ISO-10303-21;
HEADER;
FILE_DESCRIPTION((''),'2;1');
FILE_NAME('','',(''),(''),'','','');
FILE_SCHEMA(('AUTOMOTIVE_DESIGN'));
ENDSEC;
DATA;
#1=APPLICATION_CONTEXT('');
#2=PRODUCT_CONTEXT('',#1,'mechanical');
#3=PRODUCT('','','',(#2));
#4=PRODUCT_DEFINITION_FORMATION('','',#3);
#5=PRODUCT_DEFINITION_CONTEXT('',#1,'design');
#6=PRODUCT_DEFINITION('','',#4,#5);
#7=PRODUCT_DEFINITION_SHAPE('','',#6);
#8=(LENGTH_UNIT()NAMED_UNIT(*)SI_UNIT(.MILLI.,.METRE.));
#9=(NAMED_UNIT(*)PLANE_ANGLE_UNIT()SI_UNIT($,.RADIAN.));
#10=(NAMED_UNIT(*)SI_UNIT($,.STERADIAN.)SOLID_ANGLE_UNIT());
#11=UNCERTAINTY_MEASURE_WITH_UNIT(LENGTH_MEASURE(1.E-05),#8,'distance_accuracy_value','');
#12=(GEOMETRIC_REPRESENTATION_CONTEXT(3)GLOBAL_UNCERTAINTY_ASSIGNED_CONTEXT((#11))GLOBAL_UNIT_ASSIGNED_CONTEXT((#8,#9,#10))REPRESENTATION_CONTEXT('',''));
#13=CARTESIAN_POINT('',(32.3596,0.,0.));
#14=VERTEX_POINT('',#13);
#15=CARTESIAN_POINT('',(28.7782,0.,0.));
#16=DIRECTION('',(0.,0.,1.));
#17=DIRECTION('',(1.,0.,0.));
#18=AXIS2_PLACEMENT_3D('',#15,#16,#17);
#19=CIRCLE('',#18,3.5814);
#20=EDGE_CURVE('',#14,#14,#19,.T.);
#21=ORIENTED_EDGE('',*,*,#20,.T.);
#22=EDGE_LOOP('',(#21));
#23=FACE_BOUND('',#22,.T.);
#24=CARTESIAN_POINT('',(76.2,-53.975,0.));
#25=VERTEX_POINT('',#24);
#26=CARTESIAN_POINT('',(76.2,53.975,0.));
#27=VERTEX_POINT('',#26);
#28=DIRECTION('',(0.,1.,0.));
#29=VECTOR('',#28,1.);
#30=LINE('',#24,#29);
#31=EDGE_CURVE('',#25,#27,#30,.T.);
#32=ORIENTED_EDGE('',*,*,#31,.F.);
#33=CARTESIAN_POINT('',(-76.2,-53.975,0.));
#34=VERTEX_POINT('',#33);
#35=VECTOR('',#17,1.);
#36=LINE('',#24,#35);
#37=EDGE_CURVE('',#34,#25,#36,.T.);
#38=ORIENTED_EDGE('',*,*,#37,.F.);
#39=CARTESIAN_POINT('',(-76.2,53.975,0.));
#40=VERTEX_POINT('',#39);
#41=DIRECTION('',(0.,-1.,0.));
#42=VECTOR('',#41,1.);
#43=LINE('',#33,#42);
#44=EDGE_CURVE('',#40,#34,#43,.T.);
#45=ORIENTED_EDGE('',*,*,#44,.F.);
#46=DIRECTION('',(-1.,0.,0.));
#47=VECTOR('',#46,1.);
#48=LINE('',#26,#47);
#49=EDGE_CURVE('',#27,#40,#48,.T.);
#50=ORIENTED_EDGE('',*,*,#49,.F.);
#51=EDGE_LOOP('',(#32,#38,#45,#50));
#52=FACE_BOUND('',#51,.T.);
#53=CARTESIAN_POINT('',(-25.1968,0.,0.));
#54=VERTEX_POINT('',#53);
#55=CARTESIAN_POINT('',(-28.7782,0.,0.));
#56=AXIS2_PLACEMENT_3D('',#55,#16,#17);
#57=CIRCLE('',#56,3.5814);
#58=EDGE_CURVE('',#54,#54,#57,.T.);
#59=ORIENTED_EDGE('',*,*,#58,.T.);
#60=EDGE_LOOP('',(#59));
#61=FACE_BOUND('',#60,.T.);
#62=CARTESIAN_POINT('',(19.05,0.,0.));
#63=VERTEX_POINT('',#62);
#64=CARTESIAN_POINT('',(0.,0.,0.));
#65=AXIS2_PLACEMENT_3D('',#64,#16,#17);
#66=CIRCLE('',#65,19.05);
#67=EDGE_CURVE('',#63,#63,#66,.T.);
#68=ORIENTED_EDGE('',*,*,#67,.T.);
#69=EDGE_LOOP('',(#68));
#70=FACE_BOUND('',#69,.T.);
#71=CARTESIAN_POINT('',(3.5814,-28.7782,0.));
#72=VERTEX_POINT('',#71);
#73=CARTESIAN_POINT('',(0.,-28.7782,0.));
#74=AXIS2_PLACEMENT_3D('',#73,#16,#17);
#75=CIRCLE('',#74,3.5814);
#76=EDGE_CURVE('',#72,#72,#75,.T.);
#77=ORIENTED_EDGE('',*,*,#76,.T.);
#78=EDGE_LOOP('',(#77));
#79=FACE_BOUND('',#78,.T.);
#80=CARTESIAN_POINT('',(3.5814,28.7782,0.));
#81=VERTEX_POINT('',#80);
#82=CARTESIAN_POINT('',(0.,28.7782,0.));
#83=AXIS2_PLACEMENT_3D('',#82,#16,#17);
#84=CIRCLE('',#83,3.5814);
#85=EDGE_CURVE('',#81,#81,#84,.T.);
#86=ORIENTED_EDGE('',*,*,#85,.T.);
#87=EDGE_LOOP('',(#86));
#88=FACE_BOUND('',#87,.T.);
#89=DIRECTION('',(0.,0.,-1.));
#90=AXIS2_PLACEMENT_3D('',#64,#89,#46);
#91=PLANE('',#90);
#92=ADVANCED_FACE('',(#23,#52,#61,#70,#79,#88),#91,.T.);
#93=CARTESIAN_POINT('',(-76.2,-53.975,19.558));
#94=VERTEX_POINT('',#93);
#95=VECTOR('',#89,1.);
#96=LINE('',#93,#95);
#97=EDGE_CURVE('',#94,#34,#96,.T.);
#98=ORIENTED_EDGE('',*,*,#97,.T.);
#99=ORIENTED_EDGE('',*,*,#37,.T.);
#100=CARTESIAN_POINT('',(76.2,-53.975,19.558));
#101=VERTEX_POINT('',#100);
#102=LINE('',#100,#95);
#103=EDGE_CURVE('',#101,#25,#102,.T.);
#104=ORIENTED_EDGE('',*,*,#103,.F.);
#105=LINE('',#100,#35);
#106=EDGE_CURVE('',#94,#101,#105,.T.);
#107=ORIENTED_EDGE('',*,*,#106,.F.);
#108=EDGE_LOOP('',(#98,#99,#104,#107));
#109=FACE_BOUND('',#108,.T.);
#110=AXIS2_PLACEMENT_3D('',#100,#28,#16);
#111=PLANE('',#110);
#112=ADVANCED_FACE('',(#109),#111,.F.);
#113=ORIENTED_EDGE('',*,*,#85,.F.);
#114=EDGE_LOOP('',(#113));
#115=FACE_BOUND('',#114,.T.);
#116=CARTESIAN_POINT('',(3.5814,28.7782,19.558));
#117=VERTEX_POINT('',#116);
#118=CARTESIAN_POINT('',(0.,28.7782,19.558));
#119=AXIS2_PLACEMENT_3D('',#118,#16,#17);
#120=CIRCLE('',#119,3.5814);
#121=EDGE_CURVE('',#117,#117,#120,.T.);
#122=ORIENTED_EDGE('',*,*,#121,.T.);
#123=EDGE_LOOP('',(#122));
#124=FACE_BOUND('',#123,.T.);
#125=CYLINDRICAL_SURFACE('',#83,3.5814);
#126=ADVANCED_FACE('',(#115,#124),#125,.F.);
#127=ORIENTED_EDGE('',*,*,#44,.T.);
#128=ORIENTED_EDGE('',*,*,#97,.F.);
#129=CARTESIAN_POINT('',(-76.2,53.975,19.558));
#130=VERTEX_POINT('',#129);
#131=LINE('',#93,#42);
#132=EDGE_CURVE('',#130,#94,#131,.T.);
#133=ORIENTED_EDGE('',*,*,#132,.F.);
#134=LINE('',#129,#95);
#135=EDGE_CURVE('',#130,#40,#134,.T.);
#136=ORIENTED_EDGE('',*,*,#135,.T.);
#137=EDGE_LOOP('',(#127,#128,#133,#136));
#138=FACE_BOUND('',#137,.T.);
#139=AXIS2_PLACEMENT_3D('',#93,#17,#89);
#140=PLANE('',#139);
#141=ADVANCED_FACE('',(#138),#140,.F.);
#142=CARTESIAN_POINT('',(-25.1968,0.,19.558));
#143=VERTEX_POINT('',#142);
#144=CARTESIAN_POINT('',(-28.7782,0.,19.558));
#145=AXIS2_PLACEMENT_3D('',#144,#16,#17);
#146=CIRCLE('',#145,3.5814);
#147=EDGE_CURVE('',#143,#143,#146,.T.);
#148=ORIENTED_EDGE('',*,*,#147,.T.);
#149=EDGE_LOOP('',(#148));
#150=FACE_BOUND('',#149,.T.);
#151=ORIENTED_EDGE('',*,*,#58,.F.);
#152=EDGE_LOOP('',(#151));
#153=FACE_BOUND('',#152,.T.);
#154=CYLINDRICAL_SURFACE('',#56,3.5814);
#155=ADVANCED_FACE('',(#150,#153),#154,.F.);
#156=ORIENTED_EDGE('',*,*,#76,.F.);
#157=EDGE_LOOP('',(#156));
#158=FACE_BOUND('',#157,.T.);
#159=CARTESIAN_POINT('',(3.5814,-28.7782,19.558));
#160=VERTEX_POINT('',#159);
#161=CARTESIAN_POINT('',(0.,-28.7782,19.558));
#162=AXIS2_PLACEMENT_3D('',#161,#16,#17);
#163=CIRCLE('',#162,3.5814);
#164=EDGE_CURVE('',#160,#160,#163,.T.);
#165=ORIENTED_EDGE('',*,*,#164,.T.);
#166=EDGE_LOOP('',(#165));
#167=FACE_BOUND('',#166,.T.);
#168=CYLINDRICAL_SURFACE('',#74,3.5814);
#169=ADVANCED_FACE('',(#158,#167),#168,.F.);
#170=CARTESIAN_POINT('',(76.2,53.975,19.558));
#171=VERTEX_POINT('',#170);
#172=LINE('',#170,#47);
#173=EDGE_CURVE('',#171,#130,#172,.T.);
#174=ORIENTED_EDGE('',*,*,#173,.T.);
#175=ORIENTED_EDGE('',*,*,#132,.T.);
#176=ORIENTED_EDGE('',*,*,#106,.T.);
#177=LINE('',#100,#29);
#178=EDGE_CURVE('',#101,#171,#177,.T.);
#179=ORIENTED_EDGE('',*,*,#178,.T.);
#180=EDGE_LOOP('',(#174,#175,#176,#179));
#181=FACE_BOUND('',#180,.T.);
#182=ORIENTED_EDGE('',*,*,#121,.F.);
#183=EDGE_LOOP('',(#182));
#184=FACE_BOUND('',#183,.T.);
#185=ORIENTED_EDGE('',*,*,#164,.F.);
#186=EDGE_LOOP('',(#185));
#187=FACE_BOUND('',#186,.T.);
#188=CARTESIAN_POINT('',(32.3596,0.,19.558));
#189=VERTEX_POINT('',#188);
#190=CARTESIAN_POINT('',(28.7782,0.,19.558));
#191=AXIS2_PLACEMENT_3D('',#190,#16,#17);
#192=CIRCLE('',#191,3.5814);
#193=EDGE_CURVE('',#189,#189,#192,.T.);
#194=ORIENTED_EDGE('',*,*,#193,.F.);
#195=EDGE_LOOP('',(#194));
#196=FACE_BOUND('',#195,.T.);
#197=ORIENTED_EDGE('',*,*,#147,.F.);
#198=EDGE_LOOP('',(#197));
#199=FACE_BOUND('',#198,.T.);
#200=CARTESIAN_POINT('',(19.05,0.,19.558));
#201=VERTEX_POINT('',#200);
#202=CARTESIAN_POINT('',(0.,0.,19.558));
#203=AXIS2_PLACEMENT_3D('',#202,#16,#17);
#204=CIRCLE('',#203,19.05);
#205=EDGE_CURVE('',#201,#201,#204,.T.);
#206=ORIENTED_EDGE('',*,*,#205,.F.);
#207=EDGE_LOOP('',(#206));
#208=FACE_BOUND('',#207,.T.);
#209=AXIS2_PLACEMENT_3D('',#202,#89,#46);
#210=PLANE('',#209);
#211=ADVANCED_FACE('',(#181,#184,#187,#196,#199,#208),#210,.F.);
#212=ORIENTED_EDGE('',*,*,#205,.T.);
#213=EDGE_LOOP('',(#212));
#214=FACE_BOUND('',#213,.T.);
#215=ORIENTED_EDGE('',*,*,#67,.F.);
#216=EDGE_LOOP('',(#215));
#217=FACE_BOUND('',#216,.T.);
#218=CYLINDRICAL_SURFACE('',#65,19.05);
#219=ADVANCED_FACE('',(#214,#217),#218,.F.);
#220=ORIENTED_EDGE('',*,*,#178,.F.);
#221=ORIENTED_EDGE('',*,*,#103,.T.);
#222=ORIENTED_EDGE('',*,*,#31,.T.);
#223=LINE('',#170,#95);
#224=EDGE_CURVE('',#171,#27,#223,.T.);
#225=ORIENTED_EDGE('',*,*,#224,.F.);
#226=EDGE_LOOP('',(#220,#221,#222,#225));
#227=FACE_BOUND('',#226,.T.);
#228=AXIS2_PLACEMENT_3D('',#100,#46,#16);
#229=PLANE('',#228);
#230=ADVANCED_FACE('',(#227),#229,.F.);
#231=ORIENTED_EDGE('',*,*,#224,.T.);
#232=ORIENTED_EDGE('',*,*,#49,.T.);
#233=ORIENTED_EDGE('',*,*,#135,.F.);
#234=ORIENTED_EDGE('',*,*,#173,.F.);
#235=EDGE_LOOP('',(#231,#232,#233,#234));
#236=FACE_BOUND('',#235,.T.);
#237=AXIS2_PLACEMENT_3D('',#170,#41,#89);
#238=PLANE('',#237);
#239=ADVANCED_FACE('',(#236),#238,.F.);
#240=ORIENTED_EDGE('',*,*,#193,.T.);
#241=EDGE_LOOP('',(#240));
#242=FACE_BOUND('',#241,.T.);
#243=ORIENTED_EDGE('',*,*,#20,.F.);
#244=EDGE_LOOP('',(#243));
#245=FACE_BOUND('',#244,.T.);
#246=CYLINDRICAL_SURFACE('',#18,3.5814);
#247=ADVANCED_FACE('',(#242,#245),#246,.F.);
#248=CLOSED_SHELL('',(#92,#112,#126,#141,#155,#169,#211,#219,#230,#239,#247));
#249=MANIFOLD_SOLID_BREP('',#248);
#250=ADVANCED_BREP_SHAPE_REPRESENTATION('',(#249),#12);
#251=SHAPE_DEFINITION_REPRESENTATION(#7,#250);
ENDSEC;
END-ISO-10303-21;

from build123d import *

# Parameters (mm, degrees)
SKETCH2_W           = 107.95
SKETCH2_H           = 152.4
BOSS_EXTRUDE1_DEPTH = 19.558
SKETCH33_R          = 19.05
CUT_EXTRUDE4_DEPTH  = 96.405744004
SKETCH35_R          = 3.5814
CUT_EXTRUDE5_DEPTH  = 96.405744004


with BuildPart() as part:
    # Sketch2 → Boss-Extrude1 (new body)
    with BuildSketch(Plane(origin=(0, 0, 0), x_dir=(0, 1, 0), z_dir=(0, 0, 1))):
        Rectangle(SKETCH2_W, SKETCH2_H)
    extrude(amount=BOSS_EXTRUDE1_DEPTH)

    # Sketch33 → Cut-Extrude4 (cut, through all)
    with BuildSketch(Plane.XY.offset(19.558)):
        Circle(SKETCH33_R)
    extrude(amount=-CUT_EXTRUDE4_DEPTH, mode=Mode.SUBTRACT)

    # Sketch35 → Cut-Extrude5 (cut, through all)
    with BuildSketch(Plane.XY.offset(19.558)):
        with Locations((0, 28.7782)):
            Circle(SKETCH35_R)
        with Locations((28.7782, 0)):
            Circle(SKETCH35_R)
        with Locations((0, -28.7782)):
            Circle(SKETCH35_R)
        with Locations((-28.7782, 0)):
            Circle(SKETCH35_R)
    extrude(amount=-CUT_EXTRUDE5_DEPTH, mode=Mode.SUBTRACT)


solid = part.part
